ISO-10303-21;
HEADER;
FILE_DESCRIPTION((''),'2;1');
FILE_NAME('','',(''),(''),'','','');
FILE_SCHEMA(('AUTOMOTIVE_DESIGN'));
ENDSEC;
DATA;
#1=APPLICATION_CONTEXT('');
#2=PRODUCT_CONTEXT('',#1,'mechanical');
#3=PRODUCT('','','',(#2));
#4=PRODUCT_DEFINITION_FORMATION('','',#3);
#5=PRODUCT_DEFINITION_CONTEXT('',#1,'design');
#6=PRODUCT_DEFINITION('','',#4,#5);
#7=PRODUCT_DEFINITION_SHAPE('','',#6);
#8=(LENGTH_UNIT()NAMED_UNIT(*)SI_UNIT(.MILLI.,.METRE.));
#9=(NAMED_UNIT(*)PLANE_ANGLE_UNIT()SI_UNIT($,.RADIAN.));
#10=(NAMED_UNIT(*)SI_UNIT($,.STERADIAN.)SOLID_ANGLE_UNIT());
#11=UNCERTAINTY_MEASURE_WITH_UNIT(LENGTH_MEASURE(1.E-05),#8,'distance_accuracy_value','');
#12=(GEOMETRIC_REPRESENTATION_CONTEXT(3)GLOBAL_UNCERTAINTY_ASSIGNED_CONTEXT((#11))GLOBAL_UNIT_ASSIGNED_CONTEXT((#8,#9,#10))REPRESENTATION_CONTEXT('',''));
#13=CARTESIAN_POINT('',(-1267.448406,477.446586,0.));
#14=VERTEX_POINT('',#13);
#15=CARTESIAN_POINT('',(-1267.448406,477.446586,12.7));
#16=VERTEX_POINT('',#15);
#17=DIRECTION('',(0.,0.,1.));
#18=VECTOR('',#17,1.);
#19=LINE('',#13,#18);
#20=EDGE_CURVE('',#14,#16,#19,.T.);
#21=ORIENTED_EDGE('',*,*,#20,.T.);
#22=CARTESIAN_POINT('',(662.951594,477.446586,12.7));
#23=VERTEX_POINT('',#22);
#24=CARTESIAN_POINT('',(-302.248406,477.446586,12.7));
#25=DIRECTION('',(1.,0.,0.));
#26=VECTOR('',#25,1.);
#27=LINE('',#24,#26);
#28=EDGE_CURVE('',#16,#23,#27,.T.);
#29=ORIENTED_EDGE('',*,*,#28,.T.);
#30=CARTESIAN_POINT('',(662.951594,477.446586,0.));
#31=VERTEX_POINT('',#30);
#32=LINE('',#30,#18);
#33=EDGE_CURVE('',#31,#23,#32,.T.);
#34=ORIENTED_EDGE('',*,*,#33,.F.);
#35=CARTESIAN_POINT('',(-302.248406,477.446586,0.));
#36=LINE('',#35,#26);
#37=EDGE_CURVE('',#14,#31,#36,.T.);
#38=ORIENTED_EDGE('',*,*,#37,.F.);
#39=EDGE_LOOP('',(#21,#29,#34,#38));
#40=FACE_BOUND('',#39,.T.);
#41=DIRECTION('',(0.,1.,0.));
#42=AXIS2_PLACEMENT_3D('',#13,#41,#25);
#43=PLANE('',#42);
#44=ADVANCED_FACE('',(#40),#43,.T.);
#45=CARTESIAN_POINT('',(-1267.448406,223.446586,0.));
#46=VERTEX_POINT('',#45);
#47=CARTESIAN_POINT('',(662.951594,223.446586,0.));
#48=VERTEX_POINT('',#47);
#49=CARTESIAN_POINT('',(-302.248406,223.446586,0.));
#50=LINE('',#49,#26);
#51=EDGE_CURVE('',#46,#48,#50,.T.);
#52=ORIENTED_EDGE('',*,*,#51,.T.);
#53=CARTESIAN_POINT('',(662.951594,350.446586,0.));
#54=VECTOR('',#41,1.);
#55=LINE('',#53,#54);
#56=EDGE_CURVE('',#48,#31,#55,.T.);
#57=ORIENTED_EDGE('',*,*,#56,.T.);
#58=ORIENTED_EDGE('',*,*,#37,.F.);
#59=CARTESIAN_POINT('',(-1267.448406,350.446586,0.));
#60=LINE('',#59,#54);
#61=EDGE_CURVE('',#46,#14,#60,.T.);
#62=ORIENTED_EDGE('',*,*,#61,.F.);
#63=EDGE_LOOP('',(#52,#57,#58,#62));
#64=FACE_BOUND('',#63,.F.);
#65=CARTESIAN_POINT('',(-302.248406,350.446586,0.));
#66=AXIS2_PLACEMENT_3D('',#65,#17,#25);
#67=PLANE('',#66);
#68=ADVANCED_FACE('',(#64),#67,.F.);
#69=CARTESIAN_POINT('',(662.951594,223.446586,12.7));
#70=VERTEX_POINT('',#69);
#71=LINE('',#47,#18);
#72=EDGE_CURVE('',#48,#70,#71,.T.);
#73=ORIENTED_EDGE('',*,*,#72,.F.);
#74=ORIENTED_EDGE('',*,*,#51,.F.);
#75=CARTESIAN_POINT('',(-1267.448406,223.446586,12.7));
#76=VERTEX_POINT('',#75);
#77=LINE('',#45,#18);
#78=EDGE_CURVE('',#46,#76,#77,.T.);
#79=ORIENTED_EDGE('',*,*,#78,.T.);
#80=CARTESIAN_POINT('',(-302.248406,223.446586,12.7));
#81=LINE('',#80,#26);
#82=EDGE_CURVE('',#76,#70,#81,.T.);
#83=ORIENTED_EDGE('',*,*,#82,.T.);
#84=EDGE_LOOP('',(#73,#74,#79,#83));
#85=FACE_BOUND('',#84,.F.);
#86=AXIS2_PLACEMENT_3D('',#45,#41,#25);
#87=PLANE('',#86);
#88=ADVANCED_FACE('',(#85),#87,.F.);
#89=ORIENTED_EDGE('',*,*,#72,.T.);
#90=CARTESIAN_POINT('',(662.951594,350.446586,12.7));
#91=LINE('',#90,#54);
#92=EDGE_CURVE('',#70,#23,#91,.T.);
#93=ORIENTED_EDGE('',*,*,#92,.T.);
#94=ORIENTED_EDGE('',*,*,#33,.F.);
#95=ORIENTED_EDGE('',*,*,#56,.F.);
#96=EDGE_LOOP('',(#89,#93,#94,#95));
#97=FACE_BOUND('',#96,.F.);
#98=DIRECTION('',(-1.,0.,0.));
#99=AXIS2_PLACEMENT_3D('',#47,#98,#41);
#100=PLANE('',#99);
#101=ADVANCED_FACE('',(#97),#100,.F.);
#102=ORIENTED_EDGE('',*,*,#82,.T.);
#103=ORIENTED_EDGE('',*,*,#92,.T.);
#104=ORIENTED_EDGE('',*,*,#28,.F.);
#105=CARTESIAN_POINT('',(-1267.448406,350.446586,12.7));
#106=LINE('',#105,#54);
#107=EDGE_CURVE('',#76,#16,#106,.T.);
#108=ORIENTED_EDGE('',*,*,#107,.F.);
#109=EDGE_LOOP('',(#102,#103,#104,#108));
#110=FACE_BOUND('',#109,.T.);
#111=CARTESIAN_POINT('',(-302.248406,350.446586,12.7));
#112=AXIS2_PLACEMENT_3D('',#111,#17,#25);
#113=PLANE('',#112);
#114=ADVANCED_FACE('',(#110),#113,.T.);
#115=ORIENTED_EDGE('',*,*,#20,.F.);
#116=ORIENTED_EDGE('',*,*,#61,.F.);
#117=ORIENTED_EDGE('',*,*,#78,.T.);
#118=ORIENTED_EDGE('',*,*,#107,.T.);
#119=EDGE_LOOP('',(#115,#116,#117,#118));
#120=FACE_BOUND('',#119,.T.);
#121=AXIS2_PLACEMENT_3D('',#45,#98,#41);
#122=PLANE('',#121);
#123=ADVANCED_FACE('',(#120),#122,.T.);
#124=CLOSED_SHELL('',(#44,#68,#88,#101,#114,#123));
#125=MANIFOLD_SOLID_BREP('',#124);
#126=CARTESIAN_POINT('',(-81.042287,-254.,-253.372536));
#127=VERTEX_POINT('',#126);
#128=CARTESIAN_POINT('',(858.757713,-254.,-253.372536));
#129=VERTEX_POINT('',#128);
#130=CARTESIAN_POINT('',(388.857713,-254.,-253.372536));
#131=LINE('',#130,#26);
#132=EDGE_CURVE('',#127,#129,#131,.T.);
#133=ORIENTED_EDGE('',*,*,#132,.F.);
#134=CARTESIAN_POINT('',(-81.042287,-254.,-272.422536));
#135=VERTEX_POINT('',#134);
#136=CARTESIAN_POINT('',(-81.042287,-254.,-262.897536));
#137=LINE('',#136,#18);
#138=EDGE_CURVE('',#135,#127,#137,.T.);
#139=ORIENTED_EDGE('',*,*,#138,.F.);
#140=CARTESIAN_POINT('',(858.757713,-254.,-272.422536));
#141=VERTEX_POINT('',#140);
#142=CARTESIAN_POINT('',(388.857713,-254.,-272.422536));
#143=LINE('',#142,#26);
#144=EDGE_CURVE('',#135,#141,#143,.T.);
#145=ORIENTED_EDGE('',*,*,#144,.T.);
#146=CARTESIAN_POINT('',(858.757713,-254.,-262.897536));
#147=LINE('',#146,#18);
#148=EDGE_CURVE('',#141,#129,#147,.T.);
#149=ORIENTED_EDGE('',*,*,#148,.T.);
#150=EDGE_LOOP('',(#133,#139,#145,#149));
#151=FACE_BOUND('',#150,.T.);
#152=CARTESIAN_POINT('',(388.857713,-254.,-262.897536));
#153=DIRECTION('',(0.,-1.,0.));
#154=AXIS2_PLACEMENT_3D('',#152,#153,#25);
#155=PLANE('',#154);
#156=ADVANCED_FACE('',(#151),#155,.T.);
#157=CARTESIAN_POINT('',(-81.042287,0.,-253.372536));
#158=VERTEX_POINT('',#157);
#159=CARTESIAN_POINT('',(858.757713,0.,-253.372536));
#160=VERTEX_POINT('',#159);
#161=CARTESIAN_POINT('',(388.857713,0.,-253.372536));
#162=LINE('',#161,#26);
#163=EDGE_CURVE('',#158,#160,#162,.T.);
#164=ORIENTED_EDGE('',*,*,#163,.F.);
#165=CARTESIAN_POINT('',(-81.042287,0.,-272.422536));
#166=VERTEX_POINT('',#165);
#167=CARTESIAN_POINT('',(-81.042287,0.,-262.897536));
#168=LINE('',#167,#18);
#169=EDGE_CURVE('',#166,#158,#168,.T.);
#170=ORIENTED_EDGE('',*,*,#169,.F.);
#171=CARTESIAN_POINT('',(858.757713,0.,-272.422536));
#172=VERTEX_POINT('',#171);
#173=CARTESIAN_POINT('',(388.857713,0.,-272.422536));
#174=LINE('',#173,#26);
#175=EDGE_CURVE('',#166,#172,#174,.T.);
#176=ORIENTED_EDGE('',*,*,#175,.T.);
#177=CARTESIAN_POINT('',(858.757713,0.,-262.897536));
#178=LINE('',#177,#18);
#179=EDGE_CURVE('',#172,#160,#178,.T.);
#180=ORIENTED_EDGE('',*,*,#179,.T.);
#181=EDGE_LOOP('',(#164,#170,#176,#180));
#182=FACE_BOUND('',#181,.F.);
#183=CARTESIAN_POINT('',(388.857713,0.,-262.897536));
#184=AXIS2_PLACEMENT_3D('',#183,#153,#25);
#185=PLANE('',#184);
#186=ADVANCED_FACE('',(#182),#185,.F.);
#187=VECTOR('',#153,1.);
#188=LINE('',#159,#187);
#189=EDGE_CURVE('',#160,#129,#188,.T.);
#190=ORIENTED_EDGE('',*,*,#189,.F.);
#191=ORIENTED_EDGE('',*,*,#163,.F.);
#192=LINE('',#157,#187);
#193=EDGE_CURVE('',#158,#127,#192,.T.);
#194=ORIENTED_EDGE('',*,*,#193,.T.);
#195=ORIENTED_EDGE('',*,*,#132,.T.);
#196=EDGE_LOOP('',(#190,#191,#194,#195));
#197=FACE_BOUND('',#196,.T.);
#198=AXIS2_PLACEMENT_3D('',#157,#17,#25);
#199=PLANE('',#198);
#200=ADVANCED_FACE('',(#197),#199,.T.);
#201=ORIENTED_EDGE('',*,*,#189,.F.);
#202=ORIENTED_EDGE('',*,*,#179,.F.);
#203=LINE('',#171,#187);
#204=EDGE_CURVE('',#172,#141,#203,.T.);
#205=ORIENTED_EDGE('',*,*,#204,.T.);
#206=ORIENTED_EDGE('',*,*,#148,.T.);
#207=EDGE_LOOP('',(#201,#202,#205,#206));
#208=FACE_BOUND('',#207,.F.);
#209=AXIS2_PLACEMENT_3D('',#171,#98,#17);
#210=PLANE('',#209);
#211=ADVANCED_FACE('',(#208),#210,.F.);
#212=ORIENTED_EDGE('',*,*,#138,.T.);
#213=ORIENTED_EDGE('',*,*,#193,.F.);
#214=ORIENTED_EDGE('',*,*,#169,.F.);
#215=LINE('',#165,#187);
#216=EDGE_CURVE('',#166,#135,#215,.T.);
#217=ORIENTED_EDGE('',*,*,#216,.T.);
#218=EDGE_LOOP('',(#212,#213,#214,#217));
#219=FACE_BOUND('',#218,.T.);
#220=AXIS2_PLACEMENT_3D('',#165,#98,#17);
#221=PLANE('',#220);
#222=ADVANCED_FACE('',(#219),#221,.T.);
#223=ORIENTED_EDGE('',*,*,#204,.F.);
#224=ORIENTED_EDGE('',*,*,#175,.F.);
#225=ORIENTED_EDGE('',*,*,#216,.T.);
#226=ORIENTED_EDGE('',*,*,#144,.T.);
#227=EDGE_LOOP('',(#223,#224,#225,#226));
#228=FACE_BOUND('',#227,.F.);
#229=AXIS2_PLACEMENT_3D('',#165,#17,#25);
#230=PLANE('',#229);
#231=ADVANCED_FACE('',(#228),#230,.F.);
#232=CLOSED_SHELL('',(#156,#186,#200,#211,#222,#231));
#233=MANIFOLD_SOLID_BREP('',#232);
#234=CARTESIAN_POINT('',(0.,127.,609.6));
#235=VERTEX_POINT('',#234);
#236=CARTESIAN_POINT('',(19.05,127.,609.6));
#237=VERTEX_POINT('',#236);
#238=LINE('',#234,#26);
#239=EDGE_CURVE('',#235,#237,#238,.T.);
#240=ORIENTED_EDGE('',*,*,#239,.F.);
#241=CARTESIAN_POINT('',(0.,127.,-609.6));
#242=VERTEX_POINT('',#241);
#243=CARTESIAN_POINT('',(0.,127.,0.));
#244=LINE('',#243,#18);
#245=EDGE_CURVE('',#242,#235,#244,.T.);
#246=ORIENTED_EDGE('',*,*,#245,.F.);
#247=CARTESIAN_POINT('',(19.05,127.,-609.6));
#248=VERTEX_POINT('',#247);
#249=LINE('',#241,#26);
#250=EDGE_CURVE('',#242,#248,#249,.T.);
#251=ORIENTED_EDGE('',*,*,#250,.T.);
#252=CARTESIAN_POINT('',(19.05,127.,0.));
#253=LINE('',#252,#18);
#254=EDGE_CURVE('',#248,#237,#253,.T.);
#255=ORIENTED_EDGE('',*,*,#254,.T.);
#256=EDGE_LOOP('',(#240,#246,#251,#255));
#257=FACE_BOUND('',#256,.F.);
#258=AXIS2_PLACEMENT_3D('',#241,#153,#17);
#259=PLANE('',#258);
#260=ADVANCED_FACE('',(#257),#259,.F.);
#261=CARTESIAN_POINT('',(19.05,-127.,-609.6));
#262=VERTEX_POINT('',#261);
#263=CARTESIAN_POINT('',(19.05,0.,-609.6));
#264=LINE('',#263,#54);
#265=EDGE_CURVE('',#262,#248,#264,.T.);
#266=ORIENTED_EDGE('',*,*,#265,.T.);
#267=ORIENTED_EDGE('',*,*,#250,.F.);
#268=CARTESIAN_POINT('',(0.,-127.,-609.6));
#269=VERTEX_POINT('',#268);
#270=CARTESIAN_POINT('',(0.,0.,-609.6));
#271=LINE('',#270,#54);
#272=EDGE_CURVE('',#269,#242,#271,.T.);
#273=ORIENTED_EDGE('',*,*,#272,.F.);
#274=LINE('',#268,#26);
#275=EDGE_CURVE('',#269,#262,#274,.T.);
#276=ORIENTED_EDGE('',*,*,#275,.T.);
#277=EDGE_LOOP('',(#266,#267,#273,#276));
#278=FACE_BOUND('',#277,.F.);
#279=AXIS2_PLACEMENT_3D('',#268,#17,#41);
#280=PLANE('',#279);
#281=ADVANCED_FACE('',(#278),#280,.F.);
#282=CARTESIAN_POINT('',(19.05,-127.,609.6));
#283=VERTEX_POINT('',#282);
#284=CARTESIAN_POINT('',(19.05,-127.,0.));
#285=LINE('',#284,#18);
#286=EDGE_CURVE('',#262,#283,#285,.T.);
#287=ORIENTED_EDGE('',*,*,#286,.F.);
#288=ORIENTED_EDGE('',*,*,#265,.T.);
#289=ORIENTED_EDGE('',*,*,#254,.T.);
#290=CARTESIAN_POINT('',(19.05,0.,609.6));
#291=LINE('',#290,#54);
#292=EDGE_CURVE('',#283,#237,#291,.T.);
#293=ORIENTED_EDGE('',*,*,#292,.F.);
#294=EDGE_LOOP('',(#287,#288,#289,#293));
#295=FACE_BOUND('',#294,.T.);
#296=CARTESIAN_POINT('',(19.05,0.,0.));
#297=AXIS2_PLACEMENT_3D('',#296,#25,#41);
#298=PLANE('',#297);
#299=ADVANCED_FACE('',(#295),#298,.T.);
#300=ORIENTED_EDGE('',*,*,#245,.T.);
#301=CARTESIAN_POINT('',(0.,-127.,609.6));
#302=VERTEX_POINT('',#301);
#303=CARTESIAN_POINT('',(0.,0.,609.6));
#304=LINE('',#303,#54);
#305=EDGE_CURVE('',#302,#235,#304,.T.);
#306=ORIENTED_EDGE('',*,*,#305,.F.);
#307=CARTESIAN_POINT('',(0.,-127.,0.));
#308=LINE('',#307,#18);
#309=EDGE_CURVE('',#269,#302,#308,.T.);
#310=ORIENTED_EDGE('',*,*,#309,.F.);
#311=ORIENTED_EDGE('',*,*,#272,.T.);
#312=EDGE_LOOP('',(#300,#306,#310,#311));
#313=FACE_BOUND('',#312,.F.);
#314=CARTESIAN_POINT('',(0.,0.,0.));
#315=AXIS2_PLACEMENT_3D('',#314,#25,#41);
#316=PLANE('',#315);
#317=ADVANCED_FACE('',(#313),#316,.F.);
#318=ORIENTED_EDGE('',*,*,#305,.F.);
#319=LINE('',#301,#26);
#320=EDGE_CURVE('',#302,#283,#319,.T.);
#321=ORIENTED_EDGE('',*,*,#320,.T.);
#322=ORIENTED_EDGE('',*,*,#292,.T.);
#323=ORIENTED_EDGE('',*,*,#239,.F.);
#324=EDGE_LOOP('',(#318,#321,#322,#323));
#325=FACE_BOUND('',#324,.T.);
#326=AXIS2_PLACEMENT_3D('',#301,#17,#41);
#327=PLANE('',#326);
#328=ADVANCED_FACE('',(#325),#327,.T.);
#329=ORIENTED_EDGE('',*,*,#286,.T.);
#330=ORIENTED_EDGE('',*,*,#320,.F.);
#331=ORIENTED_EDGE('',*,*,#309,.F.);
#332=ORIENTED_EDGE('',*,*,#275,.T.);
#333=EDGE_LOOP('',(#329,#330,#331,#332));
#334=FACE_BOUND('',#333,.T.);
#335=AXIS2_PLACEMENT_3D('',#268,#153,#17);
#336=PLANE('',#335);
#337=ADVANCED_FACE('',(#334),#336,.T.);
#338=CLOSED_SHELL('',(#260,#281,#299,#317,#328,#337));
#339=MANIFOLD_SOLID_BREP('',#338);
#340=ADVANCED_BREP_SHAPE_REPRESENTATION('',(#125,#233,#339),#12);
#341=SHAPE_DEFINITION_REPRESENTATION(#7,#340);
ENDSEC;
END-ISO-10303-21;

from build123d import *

# Parameters (mm, degrees)
F0_W     = 254
F0_H     = 1219.2
F1_DEPTH = 19.05
F2_W     = 1930.4
F2_H     = 254
F3_DEPTH = 12.7
F4_W     = 939.8
F4_H     = 19.05
F5_DEPTH = 254


with BuildPart() as f1:
    # F0 (on Right) → F1 (new body)
    with BuildSketch(Plane.YZ):
        Rectangle(F0_W, F0_H)
    extrude(amount=F1_DEPTH)


with BuildPart() as f3:
    # F2 (on Top) → F3 (new body)
    with BuildSketch(Plane.XY):
        with Locations((-302.248406, 350.446586)):
            Rectangle(F2_W, F2_H)
    extrude(amount=F3_DEPTH)


with BuildPart() as f5:
    # F4 (on Front) → F5 (new body)
    with BuildSketch(Plane.XZ):
        with Locations((388.857713, -262.897536)):
            Rectangle(F4_W, F4_H)
    extrude(amount=F5_DEPTH)


solid = Compound([f1.part, f3.part, f5.part])
